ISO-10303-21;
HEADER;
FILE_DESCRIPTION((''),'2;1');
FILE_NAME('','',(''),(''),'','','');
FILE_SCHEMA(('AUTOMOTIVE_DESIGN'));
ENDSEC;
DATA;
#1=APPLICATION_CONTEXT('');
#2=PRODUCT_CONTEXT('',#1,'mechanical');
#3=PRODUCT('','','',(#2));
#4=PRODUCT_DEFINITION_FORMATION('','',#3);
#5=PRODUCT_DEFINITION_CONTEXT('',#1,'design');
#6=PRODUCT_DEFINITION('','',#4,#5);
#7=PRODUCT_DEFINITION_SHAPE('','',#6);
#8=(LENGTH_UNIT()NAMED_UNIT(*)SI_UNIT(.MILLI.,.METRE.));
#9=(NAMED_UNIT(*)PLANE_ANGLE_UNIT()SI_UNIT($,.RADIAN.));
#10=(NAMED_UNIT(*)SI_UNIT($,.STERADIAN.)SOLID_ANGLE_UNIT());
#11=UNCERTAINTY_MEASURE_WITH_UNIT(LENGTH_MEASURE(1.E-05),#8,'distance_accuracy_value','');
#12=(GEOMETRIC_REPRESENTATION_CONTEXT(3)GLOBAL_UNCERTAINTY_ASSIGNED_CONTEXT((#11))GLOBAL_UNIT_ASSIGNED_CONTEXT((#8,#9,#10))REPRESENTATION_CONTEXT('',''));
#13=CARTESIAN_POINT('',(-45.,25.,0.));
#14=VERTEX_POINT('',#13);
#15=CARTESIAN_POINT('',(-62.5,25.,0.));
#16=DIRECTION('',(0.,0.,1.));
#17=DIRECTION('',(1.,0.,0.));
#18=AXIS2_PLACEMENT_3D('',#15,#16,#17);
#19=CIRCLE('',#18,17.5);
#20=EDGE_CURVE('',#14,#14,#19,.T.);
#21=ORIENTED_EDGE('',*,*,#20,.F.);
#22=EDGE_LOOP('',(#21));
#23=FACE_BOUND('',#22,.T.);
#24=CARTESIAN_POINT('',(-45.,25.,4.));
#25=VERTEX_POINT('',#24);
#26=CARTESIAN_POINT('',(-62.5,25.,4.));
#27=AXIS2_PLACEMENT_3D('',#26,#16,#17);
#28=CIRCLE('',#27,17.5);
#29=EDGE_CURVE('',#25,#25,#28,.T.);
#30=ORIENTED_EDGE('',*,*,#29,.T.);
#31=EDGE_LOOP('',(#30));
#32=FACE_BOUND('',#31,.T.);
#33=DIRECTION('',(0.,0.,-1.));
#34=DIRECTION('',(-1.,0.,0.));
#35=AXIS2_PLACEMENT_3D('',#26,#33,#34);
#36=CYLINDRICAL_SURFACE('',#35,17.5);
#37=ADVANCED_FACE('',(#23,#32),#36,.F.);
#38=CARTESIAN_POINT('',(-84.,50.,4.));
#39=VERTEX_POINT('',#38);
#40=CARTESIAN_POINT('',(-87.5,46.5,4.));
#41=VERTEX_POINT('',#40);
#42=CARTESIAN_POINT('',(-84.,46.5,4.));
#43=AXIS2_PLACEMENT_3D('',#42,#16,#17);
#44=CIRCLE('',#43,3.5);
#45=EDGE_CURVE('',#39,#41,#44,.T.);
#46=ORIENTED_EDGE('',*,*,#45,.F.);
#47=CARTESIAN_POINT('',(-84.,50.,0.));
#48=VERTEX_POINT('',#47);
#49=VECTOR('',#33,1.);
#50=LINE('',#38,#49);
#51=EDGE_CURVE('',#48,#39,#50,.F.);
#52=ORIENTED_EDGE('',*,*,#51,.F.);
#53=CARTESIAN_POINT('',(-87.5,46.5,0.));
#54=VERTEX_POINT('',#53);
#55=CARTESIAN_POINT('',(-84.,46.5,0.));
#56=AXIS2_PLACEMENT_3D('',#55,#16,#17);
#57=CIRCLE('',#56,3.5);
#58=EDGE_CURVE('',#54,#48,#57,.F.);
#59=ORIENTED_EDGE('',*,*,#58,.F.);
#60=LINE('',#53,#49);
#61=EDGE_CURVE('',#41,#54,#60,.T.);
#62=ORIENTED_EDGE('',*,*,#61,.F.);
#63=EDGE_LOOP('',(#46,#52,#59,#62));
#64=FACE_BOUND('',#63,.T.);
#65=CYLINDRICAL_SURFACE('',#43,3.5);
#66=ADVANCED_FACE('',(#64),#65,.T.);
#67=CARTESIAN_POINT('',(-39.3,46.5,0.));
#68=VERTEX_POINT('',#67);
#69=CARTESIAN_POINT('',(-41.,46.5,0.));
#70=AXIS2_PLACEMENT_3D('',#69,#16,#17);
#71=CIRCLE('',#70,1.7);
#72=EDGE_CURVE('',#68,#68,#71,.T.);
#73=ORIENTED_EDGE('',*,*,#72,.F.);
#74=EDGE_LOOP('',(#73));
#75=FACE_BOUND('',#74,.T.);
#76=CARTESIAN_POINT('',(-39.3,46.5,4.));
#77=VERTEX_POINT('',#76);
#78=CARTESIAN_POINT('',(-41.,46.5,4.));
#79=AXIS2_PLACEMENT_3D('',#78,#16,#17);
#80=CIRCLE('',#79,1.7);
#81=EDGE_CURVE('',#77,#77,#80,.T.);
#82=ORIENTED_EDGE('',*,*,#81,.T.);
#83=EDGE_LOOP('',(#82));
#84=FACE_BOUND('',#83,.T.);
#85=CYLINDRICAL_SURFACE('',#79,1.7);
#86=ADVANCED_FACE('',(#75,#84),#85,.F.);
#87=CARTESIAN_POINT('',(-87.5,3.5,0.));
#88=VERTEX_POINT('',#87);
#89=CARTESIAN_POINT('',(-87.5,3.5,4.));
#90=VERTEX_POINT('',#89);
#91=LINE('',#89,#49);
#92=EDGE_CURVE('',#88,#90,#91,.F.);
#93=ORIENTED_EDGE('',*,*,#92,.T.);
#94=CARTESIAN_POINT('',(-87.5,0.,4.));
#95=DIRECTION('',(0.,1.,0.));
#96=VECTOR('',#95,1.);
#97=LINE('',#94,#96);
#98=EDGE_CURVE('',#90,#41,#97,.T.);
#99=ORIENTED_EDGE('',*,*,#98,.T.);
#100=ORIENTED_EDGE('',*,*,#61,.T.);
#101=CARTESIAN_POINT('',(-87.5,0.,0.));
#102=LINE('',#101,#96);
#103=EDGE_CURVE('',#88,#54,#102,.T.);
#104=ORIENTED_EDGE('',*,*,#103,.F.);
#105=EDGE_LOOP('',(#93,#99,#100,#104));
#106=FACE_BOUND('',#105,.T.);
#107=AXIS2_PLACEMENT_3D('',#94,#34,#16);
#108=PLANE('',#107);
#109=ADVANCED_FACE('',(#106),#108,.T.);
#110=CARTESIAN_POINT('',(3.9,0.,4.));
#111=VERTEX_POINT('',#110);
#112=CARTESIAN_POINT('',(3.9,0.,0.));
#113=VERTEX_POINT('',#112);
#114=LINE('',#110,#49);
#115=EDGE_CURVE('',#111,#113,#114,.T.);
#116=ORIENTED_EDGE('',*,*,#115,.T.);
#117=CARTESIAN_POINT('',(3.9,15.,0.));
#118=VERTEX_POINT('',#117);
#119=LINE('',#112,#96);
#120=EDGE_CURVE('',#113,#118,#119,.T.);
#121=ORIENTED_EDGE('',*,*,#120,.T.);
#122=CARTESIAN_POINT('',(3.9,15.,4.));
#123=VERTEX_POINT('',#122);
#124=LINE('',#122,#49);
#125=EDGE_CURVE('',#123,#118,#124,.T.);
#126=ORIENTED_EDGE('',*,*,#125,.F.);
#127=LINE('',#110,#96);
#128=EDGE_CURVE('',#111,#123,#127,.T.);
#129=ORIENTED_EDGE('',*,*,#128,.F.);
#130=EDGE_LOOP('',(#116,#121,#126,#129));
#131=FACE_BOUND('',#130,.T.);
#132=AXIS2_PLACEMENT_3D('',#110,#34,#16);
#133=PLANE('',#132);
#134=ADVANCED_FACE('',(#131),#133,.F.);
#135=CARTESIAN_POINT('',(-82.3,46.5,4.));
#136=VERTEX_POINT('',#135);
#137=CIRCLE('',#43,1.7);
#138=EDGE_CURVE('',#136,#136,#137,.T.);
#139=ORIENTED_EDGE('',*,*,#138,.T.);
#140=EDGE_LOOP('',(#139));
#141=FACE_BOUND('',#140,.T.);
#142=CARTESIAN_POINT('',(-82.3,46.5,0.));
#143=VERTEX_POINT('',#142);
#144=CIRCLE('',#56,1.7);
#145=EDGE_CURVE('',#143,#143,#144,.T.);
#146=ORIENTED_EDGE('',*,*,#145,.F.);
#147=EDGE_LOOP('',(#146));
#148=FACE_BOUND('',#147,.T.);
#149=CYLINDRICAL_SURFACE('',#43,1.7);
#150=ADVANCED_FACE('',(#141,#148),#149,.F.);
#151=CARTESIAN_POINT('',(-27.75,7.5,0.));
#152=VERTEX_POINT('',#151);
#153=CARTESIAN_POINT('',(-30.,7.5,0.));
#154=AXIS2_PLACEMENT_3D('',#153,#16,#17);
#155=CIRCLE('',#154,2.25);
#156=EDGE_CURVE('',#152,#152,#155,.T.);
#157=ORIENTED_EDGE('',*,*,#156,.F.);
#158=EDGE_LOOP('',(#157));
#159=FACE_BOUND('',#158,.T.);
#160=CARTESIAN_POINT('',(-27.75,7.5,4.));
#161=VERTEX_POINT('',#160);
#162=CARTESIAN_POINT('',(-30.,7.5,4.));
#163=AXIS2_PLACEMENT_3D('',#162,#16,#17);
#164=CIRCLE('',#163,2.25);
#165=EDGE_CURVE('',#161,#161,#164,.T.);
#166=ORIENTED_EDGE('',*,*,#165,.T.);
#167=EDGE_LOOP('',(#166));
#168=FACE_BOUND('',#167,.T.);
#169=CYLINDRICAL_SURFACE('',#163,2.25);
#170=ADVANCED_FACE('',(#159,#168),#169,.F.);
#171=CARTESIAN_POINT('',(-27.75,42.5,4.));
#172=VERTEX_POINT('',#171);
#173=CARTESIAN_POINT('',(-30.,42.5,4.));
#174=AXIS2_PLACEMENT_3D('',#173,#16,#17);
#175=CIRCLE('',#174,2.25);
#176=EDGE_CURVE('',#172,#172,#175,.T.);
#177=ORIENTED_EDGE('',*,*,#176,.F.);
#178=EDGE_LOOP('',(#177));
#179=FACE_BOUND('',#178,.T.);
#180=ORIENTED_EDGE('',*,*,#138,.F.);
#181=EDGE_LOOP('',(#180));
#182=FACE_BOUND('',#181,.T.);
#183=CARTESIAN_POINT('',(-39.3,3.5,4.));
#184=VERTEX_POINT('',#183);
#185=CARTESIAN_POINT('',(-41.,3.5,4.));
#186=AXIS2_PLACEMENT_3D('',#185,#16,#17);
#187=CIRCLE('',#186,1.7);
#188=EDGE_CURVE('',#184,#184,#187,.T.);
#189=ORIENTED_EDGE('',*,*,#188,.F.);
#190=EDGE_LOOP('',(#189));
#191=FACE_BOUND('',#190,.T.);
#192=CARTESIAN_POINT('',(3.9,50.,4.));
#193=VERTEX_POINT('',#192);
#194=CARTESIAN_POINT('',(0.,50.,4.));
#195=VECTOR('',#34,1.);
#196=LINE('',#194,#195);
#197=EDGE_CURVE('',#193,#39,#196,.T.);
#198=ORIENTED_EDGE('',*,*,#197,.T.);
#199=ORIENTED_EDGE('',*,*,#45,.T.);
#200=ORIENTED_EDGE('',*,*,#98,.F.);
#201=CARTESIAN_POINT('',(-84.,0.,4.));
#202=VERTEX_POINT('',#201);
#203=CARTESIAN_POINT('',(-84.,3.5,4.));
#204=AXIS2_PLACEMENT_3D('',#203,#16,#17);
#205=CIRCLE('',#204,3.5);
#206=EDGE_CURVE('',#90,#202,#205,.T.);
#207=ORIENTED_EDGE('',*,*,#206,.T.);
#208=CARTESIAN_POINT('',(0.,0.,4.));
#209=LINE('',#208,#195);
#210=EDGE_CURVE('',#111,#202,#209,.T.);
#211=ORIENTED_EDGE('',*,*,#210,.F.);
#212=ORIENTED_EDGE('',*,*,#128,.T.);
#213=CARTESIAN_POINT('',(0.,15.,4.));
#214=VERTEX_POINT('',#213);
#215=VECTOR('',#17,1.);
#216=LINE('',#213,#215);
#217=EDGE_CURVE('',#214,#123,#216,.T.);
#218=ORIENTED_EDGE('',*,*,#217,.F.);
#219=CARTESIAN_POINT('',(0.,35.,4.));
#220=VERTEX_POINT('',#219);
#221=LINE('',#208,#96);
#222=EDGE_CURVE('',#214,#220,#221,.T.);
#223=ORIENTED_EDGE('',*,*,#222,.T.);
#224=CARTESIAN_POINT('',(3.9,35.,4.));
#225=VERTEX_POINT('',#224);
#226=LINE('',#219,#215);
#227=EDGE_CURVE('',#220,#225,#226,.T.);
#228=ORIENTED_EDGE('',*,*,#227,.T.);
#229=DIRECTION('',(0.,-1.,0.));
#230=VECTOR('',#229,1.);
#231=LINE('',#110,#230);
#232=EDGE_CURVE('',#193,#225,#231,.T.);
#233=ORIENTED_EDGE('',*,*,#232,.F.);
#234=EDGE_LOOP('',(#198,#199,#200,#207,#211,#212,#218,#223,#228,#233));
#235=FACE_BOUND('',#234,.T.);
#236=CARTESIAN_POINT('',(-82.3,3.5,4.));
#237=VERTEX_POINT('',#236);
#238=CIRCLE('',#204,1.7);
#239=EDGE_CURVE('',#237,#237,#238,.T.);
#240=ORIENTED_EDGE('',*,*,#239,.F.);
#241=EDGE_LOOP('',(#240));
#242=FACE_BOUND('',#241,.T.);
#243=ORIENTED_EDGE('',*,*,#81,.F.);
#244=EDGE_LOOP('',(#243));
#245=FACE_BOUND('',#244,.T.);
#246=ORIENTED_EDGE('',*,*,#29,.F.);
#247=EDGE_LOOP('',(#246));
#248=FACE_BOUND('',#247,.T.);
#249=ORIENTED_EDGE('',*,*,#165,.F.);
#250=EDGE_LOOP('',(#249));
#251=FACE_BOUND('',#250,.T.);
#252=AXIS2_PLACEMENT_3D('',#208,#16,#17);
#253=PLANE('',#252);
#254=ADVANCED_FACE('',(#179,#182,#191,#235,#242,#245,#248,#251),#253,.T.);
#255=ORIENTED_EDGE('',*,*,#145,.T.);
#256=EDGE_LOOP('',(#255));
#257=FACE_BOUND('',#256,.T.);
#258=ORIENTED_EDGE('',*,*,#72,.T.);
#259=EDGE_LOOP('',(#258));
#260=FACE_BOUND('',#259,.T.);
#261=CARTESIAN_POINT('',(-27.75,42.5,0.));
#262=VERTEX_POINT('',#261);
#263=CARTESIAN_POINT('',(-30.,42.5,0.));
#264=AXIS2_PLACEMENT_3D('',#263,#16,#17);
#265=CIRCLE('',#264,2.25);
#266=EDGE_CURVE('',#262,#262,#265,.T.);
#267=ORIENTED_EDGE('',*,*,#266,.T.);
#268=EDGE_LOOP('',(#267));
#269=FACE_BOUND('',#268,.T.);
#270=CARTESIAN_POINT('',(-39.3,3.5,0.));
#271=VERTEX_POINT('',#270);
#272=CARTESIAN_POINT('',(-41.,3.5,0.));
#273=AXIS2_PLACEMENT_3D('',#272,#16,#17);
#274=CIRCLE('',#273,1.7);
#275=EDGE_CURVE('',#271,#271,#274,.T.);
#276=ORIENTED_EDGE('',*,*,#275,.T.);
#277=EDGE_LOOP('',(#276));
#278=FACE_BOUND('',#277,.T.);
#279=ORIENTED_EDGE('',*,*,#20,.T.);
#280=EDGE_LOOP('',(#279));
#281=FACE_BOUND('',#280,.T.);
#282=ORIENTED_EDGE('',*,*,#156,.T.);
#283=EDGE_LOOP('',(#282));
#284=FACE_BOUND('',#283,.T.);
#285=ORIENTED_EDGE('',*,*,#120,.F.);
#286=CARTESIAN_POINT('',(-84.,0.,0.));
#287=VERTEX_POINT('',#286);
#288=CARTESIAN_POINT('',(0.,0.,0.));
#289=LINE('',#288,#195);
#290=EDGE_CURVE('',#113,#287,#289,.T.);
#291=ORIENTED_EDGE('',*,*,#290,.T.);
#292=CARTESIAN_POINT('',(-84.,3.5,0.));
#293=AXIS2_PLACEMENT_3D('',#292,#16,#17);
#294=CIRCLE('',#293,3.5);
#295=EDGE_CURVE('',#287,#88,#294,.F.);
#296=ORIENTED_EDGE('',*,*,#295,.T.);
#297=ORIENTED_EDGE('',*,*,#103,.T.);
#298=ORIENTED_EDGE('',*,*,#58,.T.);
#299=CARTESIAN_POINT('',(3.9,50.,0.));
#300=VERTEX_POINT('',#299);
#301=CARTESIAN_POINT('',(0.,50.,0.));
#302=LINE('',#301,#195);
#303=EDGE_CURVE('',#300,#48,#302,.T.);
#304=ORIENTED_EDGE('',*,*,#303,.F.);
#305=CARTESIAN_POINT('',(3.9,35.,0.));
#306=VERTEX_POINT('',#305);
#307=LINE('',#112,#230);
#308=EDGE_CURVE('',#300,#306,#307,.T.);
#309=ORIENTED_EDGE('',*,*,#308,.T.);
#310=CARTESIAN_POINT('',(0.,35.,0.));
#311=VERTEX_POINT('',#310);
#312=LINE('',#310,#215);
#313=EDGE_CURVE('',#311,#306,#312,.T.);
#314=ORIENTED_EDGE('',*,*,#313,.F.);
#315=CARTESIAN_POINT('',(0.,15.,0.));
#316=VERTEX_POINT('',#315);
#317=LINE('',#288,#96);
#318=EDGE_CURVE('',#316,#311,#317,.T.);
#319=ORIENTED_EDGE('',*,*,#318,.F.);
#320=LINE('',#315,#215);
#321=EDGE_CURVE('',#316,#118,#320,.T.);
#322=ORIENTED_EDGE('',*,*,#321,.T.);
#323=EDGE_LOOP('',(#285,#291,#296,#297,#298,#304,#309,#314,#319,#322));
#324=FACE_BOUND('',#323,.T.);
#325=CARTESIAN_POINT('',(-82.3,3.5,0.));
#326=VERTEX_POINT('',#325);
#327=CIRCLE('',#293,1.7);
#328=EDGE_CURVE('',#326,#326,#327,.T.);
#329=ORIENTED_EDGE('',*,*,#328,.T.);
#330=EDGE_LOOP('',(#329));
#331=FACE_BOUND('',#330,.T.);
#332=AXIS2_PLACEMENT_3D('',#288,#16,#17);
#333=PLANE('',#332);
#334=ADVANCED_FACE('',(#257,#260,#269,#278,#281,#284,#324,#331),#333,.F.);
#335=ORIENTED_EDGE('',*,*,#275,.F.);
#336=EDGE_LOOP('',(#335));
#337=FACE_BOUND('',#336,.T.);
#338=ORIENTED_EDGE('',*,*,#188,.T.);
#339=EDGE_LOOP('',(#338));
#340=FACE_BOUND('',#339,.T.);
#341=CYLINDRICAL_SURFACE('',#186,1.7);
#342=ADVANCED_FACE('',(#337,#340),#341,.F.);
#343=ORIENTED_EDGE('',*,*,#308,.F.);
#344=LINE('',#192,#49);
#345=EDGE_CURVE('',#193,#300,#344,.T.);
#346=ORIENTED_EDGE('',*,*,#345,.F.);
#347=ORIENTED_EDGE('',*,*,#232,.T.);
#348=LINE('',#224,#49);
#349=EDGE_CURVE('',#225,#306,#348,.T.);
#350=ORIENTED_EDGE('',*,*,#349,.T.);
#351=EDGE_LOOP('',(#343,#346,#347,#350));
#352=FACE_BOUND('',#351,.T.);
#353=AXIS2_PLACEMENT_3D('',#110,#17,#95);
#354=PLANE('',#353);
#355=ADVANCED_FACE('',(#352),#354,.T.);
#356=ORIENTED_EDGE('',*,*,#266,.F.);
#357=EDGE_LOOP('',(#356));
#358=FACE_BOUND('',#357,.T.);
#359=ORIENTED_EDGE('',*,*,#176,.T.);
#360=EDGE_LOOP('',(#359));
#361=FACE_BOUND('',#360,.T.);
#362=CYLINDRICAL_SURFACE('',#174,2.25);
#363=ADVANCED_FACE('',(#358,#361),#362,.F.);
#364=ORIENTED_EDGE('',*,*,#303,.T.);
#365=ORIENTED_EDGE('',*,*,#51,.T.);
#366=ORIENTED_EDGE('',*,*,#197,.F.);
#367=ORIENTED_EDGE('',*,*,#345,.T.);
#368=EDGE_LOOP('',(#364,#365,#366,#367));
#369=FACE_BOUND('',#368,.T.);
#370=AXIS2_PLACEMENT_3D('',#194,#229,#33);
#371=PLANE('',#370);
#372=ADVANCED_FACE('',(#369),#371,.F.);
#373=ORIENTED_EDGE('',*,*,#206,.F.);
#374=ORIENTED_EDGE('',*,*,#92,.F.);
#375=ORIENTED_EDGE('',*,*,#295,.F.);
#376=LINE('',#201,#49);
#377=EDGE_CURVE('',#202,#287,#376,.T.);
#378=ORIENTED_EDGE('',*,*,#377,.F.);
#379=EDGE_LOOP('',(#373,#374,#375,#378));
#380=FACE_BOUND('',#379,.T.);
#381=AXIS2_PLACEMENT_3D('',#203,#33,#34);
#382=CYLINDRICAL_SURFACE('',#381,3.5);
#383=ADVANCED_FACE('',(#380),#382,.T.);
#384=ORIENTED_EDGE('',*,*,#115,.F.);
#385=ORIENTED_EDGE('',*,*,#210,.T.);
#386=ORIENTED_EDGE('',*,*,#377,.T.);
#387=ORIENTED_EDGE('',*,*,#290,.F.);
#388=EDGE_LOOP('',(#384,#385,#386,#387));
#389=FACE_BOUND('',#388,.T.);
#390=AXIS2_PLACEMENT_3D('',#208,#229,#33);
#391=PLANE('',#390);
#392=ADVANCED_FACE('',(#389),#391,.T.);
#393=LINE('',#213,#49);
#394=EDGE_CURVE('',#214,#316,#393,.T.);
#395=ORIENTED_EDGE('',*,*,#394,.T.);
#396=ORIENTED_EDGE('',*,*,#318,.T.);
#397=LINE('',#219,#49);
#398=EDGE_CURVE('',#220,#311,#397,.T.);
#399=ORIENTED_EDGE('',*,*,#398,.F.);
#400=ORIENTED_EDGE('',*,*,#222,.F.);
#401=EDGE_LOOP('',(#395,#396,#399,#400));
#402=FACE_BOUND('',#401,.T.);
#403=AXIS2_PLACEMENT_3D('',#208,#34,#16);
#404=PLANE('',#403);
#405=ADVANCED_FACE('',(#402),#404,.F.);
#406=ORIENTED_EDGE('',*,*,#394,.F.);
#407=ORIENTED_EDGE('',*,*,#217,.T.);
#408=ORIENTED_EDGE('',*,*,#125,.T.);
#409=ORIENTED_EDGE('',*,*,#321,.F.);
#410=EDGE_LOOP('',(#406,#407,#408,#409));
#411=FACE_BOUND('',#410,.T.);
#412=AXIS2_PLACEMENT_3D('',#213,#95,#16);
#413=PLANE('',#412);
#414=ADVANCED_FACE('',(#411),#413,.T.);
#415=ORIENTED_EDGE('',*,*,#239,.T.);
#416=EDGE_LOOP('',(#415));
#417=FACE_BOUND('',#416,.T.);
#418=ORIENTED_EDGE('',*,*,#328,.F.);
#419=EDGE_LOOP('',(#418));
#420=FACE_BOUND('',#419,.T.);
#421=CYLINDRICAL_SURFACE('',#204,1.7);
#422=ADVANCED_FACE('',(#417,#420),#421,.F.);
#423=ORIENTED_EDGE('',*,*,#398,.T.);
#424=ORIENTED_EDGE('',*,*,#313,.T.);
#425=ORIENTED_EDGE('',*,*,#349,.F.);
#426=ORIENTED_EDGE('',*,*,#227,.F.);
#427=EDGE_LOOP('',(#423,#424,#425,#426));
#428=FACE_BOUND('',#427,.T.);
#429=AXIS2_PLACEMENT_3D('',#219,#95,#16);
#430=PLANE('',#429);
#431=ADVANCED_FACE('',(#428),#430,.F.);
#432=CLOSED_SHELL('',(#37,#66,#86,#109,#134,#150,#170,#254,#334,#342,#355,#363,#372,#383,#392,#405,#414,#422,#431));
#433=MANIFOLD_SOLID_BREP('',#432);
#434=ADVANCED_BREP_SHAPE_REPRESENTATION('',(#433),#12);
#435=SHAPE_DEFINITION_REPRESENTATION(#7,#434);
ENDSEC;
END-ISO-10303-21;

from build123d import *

# Parameters (mm, degrees)
SKETCH_1_R         = 17.5
EXTRUDE_1_DEPTH    = 4
HOLE_WIZARD_M3_1_D = 3.4
HOLE_WIZARD_M4_1_D = 4.5
FILLET_2_R         = 3.5


with BuildPart() as part:
    # ｽｹｯﾁ1 → ﾎﾞｽ - 押し出し1 (new body)
    with BuildSketch(Plane(origin=(0, 0, 0), x_dir=(0, 1, 0), z_dir=(0, 0, 1))):
        Polygon((0, 87.5), (0, -3.9), (15, -3.9), (15, 0), (35, 0), (35, -3.9), (50, -3.9), (50, 87.5), align=None)
        with Locations((25, 62.5)):
            Circle(SKETCH_1_R, mode=Mode.SUBTRACT)
    extrude(amount=EXTRUDE_1_DEPTH)

    # M3 すきま穴1 (through all)
    with Locations(Plane.XY.offset(4)):
        with Locations((-84, 3.5), (-84, 46.5), (-41, 46.5), (-41, 3.5)):
            Hole(HOLE_WIZARD_M3_1_D / 2)

    # M4 すきま穴1 (through all)
    with Locations(Plane.XY.offset(4)):
        with Locations((-30, 42.5), (-30, 7.5)):
            Hole(HOLE_WIZARD_M4_1_D / 2)

    # ﾌｨﾚｯﾄ2
    fillet_2_edges = [part.edges().sort_by_distance(p)[0] for p in [
        (-87.5, 50, 2),
        (-87.5, 0, 2),
    ]]
    fillet(fillet_2_edges, radius=FILLET_2_R)


solid = part.part
